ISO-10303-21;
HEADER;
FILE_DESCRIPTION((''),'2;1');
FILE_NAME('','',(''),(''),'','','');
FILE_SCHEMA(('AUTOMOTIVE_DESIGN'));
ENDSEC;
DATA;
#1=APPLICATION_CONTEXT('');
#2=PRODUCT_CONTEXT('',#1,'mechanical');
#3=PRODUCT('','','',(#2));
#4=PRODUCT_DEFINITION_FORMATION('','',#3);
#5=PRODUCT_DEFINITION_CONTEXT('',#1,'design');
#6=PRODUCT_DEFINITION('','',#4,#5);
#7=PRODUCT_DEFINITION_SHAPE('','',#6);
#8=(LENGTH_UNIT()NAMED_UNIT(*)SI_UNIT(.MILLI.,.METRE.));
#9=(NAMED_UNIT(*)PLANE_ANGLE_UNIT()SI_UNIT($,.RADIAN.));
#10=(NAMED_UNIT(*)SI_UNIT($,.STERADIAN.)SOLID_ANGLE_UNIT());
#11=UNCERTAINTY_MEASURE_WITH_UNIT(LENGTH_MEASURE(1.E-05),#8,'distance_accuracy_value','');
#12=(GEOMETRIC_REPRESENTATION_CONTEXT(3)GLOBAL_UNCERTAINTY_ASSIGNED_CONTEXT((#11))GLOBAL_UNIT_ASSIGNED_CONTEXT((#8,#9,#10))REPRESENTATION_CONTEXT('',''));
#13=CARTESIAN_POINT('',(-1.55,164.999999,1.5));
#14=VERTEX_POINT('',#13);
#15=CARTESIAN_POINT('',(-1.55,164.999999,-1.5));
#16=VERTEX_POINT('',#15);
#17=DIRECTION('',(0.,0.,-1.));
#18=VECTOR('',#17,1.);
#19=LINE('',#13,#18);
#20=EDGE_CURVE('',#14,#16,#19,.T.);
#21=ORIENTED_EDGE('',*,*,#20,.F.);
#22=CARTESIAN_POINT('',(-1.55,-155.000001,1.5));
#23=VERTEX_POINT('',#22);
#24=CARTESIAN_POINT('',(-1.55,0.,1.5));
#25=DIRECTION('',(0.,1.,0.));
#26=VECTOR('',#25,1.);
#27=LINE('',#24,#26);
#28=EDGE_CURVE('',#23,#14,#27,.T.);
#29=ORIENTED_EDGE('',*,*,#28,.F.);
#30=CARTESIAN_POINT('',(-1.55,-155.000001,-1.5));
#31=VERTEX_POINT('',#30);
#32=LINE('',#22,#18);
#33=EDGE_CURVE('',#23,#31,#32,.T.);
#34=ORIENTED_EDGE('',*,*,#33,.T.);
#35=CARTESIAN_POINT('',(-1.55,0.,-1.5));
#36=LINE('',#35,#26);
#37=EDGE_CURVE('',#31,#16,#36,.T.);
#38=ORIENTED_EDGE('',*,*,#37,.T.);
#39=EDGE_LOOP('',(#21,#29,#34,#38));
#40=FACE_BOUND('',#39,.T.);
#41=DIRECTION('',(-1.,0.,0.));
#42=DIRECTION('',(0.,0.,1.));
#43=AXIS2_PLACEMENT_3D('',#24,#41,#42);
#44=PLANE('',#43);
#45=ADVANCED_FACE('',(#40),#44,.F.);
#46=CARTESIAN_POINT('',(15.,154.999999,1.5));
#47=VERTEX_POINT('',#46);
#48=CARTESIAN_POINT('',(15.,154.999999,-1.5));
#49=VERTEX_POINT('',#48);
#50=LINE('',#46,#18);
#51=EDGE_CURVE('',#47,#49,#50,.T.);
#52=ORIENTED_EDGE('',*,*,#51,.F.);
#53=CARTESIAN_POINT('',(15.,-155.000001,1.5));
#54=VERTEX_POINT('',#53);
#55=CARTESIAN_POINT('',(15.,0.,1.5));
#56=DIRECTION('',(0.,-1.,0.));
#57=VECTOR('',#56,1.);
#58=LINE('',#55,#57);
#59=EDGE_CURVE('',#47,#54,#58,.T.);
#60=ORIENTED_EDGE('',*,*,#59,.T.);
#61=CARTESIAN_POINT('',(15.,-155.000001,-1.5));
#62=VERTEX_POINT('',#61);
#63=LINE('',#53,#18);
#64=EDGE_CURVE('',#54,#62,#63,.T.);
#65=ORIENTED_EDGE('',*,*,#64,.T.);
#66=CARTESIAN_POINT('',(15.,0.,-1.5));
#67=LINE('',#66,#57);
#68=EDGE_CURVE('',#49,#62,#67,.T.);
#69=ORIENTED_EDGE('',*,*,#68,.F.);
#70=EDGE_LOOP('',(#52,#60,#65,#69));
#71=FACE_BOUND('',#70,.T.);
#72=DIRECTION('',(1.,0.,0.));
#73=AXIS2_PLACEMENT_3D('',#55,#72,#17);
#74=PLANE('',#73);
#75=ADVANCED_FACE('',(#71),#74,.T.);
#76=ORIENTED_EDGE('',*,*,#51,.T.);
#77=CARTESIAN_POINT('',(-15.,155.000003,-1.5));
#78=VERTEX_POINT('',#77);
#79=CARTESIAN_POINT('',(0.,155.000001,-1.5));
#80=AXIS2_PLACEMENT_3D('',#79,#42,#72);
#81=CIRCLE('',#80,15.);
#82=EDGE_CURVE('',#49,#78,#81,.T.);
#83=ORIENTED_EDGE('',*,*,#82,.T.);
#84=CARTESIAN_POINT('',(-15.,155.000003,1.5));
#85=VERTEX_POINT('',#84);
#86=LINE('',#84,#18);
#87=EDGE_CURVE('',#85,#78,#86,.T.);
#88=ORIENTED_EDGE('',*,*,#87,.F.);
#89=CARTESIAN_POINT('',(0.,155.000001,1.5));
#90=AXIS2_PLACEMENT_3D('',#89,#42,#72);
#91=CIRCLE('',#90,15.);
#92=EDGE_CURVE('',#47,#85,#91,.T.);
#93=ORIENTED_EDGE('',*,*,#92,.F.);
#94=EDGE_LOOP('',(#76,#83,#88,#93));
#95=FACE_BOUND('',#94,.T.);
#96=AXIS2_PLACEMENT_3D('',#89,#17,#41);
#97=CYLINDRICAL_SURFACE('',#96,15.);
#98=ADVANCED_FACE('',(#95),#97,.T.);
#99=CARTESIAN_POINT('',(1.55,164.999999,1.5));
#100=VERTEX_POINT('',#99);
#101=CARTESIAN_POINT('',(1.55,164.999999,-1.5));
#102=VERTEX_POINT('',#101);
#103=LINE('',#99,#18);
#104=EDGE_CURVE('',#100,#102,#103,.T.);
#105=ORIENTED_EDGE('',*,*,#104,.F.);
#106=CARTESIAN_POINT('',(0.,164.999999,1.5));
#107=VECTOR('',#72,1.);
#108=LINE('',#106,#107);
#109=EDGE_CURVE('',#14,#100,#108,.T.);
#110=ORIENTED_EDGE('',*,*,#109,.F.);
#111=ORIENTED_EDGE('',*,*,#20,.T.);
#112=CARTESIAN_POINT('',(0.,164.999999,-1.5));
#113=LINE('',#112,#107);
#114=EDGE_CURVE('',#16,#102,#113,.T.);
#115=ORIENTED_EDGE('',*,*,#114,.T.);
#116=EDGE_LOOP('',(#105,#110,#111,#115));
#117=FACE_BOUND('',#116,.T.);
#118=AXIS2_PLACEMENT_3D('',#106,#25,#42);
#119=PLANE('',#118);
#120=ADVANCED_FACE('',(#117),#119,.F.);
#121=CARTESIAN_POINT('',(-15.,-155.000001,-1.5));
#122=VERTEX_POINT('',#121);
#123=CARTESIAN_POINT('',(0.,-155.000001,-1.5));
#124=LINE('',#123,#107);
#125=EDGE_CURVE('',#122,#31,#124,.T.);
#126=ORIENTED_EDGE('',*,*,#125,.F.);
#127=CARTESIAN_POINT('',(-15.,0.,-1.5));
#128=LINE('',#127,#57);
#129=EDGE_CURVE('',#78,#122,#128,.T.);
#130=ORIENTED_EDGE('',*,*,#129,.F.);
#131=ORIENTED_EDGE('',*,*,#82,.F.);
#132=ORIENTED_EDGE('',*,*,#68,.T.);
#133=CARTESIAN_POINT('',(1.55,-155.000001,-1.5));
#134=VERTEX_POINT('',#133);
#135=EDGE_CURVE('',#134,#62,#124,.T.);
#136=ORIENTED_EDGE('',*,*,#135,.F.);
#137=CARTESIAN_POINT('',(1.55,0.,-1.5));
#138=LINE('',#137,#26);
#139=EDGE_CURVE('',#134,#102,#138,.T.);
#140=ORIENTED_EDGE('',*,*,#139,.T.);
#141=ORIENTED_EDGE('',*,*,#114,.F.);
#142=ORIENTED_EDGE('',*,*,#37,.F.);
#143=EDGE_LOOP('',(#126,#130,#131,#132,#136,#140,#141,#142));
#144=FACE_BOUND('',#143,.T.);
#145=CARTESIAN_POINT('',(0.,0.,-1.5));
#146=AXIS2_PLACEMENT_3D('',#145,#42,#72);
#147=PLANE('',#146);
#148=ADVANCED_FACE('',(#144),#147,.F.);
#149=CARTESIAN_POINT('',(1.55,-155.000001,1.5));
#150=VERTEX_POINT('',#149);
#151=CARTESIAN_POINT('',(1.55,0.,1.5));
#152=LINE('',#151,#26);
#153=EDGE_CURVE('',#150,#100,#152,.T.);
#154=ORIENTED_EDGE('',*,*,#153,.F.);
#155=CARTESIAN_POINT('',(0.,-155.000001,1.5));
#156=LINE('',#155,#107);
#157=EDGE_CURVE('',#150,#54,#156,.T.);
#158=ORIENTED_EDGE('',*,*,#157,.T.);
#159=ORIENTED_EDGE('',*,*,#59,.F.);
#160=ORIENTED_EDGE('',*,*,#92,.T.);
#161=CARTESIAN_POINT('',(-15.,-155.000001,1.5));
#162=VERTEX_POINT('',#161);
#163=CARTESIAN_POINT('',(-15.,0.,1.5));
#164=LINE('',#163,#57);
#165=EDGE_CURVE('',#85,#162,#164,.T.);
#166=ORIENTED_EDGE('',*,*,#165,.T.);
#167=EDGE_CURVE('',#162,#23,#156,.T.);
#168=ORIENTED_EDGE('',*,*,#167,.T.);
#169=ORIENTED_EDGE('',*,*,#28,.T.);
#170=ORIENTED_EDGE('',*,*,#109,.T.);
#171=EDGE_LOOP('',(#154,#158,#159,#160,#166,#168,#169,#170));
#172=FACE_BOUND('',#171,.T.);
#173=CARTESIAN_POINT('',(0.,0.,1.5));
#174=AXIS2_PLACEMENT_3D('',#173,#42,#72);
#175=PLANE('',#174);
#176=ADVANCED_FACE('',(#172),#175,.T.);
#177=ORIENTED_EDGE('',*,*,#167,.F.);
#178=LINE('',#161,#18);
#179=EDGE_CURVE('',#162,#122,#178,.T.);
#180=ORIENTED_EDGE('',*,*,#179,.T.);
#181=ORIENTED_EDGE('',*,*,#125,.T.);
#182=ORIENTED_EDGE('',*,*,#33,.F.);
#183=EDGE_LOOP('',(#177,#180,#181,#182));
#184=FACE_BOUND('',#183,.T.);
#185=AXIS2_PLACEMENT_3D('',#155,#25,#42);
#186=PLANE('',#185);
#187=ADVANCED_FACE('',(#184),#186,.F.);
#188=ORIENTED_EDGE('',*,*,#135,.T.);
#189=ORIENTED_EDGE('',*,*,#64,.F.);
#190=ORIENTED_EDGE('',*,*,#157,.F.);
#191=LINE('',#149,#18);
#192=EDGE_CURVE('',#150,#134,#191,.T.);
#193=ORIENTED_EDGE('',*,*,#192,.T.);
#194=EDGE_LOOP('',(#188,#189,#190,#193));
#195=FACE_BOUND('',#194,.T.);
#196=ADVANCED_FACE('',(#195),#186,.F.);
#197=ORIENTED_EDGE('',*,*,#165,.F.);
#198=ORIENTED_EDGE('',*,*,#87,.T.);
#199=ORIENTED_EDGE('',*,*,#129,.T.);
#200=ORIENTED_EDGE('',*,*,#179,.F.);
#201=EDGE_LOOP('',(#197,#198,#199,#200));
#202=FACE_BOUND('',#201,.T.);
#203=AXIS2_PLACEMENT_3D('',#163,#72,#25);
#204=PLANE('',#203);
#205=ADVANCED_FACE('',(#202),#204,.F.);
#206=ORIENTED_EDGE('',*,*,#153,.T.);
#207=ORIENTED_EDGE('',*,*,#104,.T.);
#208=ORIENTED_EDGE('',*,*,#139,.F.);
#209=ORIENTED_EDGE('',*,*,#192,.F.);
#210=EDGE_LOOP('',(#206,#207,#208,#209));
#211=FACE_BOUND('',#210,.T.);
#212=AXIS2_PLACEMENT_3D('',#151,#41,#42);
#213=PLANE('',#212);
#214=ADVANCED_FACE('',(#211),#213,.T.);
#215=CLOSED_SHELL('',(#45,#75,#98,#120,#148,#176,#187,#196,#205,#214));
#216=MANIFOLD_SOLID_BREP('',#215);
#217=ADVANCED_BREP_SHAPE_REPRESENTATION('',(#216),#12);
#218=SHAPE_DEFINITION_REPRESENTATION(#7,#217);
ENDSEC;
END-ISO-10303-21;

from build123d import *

# Parameters (mm, degrees)
BOSS_EXTRUDE1_DEPTH = 1.5


with BuildPart() as part:
    # Sketch2 → Boss-Extrude1 (new body, symmetric)
    with BuildSketch(Plane.XY):
        with BuildLine():
            Line((-15.000000098, -155.000001017), (-1.550000098, -155.000001017))
            Line((-1.550000098, -155.000001017), (-1.550000098, 164.999998983))
            Line((-1.550000098, 164.999998983), (1.549999902, 164.999998983))
            Line((1.549999902, 164.999998983), (1.549999902, -155.000001017))
            Line((1.549999902, -155.000001017), (14.999999902, -155.000001017))
            Line((14.999999902, -155.000001017), (14.999999902, 154.999998983))
            ThreePointArc((14.999999902, 154.999998983), (1.936e-06, 170.000001017), (-15.000000098, 155.000003052))
            Line((-15.000000098, 155.000003052), (-15.000000098, -155.000001017))
        make_face()
    extrude(amount=BOSS_EXTRUDE1_DEPTH, both=True)


solid = part.part
